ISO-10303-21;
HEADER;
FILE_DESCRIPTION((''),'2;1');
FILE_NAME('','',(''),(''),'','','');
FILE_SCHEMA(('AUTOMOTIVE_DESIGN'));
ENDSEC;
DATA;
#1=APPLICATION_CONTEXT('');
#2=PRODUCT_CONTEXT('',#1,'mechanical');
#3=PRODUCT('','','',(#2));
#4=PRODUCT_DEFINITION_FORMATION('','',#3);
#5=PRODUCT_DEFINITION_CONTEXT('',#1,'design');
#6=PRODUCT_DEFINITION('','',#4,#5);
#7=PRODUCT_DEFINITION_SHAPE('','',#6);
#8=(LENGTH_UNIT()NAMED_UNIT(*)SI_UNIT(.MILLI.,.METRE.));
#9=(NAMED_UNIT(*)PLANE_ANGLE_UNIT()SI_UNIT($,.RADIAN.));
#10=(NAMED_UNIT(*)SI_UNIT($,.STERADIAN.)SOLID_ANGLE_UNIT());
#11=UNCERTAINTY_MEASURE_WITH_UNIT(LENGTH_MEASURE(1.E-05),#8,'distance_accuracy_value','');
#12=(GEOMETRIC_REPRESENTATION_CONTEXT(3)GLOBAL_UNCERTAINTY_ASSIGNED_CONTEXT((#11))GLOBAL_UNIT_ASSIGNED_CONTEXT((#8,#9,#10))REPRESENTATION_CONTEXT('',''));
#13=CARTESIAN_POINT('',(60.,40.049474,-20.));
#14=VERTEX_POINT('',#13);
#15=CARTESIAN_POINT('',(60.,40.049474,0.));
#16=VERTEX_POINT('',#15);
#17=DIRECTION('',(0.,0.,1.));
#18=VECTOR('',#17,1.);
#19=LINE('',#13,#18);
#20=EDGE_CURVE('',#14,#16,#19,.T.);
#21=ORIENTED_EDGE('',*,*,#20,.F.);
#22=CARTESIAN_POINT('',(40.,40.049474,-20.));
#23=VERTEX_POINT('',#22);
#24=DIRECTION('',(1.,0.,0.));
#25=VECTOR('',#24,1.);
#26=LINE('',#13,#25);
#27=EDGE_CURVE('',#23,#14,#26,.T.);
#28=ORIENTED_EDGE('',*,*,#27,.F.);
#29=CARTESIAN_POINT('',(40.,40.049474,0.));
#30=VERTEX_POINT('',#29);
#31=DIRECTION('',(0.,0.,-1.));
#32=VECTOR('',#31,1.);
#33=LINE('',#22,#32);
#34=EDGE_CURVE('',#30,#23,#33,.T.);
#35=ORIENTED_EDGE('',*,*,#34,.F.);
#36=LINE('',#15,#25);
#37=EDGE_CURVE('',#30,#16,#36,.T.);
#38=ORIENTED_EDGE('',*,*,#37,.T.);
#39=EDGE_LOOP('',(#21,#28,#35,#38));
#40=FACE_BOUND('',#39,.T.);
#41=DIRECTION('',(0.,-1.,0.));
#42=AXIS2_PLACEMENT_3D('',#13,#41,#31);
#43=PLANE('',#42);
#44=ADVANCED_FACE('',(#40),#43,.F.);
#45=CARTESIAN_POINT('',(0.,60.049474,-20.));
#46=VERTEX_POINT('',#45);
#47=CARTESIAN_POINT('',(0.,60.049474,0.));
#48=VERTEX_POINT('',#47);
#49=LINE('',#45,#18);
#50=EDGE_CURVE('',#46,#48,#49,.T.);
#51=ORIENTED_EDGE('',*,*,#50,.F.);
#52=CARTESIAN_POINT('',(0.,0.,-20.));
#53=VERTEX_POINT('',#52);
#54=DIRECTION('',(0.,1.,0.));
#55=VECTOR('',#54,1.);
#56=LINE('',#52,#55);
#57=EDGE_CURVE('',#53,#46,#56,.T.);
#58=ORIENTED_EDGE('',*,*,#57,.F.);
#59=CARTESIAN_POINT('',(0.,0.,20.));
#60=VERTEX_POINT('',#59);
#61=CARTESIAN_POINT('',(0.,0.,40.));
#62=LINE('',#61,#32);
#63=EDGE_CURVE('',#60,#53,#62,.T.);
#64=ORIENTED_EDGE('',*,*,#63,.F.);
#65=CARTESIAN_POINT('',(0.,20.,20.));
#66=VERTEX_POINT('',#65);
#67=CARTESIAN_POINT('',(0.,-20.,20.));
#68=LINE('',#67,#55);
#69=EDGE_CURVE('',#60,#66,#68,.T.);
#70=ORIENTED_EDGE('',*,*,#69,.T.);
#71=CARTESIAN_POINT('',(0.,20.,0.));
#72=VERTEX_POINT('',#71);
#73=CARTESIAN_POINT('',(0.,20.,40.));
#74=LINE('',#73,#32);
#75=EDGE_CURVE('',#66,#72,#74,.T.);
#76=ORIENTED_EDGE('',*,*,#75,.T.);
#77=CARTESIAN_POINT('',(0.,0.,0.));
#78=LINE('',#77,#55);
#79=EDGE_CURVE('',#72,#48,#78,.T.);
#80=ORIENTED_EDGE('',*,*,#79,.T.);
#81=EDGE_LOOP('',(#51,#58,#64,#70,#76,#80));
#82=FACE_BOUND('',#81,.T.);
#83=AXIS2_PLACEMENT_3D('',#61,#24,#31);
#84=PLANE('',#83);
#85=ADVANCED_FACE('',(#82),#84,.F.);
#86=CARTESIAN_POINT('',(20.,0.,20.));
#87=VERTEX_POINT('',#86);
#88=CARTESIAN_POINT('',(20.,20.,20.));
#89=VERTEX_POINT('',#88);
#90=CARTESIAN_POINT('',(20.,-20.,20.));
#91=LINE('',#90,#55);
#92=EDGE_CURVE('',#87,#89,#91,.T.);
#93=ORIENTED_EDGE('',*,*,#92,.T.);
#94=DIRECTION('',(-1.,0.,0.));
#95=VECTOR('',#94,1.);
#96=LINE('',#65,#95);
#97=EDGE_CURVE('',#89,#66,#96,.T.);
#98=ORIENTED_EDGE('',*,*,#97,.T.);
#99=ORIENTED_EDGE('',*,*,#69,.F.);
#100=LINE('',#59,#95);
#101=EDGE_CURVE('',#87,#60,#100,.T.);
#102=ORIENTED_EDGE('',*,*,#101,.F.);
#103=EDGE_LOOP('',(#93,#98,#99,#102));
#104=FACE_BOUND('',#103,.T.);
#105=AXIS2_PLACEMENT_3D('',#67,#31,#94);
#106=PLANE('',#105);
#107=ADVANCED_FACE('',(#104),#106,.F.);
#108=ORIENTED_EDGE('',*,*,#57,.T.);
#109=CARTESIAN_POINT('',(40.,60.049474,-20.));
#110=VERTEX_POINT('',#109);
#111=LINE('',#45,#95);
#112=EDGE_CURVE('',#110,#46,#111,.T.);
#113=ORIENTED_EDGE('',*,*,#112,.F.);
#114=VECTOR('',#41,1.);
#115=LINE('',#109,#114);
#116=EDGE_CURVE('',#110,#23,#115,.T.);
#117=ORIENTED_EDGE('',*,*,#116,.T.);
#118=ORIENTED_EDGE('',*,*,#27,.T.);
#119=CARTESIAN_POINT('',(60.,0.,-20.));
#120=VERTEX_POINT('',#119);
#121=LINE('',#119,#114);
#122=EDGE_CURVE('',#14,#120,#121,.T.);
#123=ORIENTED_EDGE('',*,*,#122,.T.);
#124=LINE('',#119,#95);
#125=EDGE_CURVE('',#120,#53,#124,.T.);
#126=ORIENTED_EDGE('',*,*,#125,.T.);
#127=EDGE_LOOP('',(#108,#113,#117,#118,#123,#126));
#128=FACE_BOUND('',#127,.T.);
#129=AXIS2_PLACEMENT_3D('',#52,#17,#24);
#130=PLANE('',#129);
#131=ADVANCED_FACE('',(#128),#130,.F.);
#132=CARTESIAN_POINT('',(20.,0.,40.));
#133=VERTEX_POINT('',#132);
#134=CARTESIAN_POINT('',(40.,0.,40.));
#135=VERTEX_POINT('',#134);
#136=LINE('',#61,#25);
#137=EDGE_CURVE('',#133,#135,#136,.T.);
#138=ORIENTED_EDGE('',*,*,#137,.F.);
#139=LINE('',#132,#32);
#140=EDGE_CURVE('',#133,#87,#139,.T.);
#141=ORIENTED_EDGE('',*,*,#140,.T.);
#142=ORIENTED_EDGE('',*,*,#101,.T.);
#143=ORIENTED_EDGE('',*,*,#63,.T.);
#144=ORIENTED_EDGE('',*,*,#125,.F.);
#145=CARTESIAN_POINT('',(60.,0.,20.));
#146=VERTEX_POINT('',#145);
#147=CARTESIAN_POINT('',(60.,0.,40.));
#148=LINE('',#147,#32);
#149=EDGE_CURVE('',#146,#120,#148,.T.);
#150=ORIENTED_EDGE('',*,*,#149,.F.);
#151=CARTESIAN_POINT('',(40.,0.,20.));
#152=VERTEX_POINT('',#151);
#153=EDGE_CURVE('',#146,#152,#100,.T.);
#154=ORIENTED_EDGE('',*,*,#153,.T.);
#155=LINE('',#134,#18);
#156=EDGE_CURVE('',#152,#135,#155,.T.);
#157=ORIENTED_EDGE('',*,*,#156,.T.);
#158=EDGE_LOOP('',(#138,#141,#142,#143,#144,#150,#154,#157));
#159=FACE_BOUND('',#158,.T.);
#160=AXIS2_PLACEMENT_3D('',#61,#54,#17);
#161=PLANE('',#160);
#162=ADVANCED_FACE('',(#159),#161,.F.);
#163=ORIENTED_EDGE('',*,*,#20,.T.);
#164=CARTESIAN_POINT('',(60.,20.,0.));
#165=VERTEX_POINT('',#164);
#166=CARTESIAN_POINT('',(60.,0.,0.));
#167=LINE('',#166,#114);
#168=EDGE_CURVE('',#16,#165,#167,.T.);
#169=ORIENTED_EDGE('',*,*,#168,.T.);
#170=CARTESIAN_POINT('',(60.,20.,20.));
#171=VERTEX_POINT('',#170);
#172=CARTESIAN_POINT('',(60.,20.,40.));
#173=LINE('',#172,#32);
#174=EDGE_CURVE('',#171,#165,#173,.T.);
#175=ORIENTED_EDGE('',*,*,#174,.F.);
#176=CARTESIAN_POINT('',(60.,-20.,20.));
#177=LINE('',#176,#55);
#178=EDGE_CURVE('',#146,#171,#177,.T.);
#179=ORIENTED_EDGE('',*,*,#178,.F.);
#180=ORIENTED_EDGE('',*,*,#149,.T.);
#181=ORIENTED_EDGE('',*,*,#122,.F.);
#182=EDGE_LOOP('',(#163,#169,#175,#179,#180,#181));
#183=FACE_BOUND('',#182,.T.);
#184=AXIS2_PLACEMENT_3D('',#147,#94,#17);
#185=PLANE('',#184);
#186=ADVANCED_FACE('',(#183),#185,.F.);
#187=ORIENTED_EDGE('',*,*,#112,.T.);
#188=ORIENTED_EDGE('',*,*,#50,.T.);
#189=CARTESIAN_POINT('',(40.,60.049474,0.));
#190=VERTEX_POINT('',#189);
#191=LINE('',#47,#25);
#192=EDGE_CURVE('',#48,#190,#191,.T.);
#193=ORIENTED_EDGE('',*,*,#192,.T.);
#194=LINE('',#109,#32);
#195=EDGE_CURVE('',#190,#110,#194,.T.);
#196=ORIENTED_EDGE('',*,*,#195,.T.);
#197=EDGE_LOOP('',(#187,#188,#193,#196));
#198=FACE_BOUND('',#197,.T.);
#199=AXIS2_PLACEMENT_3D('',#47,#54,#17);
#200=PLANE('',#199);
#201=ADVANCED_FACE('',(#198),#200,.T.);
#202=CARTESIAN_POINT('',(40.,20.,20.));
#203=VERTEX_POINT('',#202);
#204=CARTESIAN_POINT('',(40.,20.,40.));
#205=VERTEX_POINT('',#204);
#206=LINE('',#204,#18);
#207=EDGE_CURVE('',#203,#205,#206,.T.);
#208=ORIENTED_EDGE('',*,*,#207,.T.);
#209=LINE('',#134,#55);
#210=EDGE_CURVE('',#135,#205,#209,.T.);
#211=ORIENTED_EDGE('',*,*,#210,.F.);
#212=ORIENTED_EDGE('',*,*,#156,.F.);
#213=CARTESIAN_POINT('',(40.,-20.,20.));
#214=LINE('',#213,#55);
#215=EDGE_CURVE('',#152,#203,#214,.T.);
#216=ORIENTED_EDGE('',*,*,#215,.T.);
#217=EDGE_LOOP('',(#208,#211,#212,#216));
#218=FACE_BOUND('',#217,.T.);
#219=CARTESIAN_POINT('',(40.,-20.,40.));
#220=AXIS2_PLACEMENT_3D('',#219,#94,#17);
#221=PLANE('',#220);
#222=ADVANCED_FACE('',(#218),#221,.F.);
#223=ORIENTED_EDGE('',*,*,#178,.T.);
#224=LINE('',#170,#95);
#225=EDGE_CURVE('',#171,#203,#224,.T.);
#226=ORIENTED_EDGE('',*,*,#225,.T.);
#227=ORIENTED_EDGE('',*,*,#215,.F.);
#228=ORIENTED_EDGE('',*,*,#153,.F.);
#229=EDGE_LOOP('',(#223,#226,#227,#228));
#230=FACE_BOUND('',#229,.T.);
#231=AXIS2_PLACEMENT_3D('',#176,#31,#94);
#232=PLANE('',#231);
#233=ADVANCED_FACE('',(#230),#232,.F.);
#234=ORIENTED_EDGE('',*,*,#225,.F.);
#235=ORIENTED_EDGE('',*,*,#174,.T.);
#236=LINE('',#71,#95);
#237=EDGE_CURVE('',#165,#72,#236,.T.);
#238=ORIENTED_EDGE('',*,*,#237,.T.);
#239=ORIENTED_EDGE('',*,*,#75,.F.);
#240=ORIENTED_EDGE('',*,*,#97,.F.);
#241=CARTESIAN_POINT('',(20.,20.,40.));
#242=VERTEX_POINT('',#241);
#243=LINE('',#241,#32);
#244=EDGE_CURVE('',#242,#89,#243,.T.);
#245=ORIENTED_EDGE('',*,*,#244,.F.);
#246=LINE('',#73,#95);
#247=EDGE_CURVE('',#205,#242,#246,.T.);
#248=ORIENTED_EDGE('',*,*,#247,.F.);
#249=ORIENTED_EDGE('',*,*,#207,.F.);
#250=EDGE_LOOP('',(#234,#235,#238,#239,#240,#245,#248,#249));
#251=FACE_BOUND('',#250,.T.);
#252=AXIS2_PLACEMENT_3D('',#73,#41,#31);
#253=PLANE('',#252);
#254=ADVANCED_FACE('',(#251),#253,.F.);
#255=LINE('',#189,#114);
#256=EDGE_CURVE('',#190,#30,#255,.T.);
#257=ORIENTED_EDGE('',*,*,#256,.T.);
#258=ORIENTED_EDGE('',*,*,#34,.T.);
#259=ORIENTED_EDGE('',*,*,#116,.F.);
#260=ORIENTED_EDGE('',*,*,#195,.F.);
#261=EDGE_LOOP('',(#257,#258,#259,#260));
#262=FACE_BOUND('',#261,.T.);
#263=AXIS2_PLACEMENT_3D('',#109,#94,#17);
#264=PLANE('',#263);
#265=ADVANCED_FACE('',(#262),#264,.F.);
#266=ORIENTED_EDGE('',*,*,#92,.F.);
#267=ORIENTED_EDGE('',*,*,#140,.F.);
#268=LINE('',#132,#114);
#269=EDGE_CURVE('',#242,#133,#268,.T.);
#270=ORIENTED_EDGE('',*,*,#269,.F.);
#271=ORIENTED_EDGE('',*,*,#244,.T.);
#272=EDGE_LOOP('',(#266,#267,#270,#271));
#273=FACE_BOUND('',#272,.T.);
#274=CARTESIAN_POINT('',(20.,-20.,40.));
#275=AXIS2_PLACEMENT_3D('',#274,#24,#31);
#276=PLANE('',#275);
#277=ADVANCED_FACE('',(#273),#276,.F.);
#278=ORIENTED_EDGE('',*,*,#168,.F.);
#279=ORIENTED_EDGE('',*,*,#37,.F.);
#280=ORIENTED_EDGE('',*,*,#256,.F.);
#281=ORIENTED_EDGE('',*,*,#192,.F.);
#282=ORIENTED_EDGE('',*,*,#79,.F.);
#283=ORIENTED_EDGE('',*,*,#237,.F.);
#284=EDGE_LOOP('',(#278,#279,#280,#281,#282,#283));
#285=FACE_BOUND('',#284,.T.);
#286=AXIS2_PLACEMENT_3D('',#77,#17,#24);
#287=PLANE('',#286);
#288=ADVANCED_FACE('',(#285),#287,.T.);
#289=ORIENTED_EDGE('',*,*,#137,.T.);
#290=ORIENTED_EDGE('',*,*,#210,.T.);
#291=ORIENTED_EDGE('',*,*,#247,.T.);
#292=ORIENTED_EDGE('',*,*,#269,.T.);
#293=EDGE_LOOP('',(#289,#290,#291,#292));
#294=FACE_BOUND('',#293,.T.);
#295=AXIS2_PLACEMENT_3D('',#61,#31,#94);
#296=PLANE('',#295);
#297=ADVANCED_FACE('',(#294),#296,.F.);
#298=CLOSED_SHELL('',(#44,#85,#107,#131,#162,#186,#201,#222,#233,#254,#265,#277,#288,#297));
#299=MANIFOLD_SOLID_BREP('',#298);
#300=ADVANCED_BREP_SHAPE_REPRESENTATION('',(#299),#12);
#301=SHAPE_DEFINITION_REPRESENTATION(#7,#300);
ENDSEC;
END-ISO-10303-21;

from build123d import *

# Parameters (mm, degrees)
ESBO_O2_W                = 60
ESBO_O2_H                = 20
RESSALTO_EXTRUS_O1_DEPTH = 40
ESBO_O4_W                = 20
ESBO_O4_H                = 20
CORTE_EXTRUS_O1_DEPTH    = 40
ESBO_O5_W                = 20
ESBO_O5_H                = 20
CORTE_EXTRUS_O2_DEPTH    = 40
ESBO_O7_W                = 60
ESBO_O7_H                = 40.049473908
RESSALTO_EXTRUS_O2_DEPTH = 20
ESBO_O8_W                = 40
ESBO_O8_H                = 20
RESSALTO_EXTRUS_O3_DEPTH = 20


with BuildPart() as part:
    # Esboço2 → Ressalto-extrusão1 (new body)
    with BuildSketch(Plane.XY):
        with Locations((30, 10)):
            Rectangle(ESBO_O2_W, ESBO_O2_H)
    extrude(amount=RESSALTO_EXTRUS_O1_DEPTH)

    # Esboço4 → Corte-extrusão1 (cut)
    with BuildSketch(Plane(origin=(0, 20, 0), x_dir=(1, 0, 0), z_dir=(0, 1, 0))):
        with Locations((10, -30)):
            Rectangle(ESBO_O4_W, ESBO_O4_H)
    extrude(amount=-CORTE_EXTRUS_O1_DEPTH, mode=Mode.SUBTRACT)

    # Esboço5 → Corte-extrusão2 (cut)
    with BuildSketch(Plane(origin=(0, 20, 0), x_dir=(1, 0, 0), z_dir=(0, 1, 0))):
        with Locations((50, -30)):
            Rectangle(ESBO_O5_W, ESBO_O5_H)
    extrude(amount=-CORTE_EXTRUS_O2_DEPTH, mode=Mode.SUBTRACT)

    # Esboço7 → Ressalto-extrusão2 (add)
    with BuildSketch(Plane(origin=(0, 0, 0), x_dir=(-1, 0, 0), z_dir=(0, 0, -1))):
        with Locations((-30, 20.024736954)):
            Rectangle(ESBO_O7_W, ESBO_O7_H)
    extrude(amount=RESSALTO_EXTRUS_O2_DEPTH)

    # Esboço8 → Ressalto-extrusão3 (add)
    with BuildSketch(Plane(origin=(0, 40.049473908, 0), x_dir=(1, 0, 0), z_dir=(0, 1, 0))):
        with Locations((20, 10)):
            Rectangle(ESBO_O8_W, ESBO_O8_H)
    extrude(amount=RESSALTO_EXTRUS_O3_DEPTH)


solid = part.part
